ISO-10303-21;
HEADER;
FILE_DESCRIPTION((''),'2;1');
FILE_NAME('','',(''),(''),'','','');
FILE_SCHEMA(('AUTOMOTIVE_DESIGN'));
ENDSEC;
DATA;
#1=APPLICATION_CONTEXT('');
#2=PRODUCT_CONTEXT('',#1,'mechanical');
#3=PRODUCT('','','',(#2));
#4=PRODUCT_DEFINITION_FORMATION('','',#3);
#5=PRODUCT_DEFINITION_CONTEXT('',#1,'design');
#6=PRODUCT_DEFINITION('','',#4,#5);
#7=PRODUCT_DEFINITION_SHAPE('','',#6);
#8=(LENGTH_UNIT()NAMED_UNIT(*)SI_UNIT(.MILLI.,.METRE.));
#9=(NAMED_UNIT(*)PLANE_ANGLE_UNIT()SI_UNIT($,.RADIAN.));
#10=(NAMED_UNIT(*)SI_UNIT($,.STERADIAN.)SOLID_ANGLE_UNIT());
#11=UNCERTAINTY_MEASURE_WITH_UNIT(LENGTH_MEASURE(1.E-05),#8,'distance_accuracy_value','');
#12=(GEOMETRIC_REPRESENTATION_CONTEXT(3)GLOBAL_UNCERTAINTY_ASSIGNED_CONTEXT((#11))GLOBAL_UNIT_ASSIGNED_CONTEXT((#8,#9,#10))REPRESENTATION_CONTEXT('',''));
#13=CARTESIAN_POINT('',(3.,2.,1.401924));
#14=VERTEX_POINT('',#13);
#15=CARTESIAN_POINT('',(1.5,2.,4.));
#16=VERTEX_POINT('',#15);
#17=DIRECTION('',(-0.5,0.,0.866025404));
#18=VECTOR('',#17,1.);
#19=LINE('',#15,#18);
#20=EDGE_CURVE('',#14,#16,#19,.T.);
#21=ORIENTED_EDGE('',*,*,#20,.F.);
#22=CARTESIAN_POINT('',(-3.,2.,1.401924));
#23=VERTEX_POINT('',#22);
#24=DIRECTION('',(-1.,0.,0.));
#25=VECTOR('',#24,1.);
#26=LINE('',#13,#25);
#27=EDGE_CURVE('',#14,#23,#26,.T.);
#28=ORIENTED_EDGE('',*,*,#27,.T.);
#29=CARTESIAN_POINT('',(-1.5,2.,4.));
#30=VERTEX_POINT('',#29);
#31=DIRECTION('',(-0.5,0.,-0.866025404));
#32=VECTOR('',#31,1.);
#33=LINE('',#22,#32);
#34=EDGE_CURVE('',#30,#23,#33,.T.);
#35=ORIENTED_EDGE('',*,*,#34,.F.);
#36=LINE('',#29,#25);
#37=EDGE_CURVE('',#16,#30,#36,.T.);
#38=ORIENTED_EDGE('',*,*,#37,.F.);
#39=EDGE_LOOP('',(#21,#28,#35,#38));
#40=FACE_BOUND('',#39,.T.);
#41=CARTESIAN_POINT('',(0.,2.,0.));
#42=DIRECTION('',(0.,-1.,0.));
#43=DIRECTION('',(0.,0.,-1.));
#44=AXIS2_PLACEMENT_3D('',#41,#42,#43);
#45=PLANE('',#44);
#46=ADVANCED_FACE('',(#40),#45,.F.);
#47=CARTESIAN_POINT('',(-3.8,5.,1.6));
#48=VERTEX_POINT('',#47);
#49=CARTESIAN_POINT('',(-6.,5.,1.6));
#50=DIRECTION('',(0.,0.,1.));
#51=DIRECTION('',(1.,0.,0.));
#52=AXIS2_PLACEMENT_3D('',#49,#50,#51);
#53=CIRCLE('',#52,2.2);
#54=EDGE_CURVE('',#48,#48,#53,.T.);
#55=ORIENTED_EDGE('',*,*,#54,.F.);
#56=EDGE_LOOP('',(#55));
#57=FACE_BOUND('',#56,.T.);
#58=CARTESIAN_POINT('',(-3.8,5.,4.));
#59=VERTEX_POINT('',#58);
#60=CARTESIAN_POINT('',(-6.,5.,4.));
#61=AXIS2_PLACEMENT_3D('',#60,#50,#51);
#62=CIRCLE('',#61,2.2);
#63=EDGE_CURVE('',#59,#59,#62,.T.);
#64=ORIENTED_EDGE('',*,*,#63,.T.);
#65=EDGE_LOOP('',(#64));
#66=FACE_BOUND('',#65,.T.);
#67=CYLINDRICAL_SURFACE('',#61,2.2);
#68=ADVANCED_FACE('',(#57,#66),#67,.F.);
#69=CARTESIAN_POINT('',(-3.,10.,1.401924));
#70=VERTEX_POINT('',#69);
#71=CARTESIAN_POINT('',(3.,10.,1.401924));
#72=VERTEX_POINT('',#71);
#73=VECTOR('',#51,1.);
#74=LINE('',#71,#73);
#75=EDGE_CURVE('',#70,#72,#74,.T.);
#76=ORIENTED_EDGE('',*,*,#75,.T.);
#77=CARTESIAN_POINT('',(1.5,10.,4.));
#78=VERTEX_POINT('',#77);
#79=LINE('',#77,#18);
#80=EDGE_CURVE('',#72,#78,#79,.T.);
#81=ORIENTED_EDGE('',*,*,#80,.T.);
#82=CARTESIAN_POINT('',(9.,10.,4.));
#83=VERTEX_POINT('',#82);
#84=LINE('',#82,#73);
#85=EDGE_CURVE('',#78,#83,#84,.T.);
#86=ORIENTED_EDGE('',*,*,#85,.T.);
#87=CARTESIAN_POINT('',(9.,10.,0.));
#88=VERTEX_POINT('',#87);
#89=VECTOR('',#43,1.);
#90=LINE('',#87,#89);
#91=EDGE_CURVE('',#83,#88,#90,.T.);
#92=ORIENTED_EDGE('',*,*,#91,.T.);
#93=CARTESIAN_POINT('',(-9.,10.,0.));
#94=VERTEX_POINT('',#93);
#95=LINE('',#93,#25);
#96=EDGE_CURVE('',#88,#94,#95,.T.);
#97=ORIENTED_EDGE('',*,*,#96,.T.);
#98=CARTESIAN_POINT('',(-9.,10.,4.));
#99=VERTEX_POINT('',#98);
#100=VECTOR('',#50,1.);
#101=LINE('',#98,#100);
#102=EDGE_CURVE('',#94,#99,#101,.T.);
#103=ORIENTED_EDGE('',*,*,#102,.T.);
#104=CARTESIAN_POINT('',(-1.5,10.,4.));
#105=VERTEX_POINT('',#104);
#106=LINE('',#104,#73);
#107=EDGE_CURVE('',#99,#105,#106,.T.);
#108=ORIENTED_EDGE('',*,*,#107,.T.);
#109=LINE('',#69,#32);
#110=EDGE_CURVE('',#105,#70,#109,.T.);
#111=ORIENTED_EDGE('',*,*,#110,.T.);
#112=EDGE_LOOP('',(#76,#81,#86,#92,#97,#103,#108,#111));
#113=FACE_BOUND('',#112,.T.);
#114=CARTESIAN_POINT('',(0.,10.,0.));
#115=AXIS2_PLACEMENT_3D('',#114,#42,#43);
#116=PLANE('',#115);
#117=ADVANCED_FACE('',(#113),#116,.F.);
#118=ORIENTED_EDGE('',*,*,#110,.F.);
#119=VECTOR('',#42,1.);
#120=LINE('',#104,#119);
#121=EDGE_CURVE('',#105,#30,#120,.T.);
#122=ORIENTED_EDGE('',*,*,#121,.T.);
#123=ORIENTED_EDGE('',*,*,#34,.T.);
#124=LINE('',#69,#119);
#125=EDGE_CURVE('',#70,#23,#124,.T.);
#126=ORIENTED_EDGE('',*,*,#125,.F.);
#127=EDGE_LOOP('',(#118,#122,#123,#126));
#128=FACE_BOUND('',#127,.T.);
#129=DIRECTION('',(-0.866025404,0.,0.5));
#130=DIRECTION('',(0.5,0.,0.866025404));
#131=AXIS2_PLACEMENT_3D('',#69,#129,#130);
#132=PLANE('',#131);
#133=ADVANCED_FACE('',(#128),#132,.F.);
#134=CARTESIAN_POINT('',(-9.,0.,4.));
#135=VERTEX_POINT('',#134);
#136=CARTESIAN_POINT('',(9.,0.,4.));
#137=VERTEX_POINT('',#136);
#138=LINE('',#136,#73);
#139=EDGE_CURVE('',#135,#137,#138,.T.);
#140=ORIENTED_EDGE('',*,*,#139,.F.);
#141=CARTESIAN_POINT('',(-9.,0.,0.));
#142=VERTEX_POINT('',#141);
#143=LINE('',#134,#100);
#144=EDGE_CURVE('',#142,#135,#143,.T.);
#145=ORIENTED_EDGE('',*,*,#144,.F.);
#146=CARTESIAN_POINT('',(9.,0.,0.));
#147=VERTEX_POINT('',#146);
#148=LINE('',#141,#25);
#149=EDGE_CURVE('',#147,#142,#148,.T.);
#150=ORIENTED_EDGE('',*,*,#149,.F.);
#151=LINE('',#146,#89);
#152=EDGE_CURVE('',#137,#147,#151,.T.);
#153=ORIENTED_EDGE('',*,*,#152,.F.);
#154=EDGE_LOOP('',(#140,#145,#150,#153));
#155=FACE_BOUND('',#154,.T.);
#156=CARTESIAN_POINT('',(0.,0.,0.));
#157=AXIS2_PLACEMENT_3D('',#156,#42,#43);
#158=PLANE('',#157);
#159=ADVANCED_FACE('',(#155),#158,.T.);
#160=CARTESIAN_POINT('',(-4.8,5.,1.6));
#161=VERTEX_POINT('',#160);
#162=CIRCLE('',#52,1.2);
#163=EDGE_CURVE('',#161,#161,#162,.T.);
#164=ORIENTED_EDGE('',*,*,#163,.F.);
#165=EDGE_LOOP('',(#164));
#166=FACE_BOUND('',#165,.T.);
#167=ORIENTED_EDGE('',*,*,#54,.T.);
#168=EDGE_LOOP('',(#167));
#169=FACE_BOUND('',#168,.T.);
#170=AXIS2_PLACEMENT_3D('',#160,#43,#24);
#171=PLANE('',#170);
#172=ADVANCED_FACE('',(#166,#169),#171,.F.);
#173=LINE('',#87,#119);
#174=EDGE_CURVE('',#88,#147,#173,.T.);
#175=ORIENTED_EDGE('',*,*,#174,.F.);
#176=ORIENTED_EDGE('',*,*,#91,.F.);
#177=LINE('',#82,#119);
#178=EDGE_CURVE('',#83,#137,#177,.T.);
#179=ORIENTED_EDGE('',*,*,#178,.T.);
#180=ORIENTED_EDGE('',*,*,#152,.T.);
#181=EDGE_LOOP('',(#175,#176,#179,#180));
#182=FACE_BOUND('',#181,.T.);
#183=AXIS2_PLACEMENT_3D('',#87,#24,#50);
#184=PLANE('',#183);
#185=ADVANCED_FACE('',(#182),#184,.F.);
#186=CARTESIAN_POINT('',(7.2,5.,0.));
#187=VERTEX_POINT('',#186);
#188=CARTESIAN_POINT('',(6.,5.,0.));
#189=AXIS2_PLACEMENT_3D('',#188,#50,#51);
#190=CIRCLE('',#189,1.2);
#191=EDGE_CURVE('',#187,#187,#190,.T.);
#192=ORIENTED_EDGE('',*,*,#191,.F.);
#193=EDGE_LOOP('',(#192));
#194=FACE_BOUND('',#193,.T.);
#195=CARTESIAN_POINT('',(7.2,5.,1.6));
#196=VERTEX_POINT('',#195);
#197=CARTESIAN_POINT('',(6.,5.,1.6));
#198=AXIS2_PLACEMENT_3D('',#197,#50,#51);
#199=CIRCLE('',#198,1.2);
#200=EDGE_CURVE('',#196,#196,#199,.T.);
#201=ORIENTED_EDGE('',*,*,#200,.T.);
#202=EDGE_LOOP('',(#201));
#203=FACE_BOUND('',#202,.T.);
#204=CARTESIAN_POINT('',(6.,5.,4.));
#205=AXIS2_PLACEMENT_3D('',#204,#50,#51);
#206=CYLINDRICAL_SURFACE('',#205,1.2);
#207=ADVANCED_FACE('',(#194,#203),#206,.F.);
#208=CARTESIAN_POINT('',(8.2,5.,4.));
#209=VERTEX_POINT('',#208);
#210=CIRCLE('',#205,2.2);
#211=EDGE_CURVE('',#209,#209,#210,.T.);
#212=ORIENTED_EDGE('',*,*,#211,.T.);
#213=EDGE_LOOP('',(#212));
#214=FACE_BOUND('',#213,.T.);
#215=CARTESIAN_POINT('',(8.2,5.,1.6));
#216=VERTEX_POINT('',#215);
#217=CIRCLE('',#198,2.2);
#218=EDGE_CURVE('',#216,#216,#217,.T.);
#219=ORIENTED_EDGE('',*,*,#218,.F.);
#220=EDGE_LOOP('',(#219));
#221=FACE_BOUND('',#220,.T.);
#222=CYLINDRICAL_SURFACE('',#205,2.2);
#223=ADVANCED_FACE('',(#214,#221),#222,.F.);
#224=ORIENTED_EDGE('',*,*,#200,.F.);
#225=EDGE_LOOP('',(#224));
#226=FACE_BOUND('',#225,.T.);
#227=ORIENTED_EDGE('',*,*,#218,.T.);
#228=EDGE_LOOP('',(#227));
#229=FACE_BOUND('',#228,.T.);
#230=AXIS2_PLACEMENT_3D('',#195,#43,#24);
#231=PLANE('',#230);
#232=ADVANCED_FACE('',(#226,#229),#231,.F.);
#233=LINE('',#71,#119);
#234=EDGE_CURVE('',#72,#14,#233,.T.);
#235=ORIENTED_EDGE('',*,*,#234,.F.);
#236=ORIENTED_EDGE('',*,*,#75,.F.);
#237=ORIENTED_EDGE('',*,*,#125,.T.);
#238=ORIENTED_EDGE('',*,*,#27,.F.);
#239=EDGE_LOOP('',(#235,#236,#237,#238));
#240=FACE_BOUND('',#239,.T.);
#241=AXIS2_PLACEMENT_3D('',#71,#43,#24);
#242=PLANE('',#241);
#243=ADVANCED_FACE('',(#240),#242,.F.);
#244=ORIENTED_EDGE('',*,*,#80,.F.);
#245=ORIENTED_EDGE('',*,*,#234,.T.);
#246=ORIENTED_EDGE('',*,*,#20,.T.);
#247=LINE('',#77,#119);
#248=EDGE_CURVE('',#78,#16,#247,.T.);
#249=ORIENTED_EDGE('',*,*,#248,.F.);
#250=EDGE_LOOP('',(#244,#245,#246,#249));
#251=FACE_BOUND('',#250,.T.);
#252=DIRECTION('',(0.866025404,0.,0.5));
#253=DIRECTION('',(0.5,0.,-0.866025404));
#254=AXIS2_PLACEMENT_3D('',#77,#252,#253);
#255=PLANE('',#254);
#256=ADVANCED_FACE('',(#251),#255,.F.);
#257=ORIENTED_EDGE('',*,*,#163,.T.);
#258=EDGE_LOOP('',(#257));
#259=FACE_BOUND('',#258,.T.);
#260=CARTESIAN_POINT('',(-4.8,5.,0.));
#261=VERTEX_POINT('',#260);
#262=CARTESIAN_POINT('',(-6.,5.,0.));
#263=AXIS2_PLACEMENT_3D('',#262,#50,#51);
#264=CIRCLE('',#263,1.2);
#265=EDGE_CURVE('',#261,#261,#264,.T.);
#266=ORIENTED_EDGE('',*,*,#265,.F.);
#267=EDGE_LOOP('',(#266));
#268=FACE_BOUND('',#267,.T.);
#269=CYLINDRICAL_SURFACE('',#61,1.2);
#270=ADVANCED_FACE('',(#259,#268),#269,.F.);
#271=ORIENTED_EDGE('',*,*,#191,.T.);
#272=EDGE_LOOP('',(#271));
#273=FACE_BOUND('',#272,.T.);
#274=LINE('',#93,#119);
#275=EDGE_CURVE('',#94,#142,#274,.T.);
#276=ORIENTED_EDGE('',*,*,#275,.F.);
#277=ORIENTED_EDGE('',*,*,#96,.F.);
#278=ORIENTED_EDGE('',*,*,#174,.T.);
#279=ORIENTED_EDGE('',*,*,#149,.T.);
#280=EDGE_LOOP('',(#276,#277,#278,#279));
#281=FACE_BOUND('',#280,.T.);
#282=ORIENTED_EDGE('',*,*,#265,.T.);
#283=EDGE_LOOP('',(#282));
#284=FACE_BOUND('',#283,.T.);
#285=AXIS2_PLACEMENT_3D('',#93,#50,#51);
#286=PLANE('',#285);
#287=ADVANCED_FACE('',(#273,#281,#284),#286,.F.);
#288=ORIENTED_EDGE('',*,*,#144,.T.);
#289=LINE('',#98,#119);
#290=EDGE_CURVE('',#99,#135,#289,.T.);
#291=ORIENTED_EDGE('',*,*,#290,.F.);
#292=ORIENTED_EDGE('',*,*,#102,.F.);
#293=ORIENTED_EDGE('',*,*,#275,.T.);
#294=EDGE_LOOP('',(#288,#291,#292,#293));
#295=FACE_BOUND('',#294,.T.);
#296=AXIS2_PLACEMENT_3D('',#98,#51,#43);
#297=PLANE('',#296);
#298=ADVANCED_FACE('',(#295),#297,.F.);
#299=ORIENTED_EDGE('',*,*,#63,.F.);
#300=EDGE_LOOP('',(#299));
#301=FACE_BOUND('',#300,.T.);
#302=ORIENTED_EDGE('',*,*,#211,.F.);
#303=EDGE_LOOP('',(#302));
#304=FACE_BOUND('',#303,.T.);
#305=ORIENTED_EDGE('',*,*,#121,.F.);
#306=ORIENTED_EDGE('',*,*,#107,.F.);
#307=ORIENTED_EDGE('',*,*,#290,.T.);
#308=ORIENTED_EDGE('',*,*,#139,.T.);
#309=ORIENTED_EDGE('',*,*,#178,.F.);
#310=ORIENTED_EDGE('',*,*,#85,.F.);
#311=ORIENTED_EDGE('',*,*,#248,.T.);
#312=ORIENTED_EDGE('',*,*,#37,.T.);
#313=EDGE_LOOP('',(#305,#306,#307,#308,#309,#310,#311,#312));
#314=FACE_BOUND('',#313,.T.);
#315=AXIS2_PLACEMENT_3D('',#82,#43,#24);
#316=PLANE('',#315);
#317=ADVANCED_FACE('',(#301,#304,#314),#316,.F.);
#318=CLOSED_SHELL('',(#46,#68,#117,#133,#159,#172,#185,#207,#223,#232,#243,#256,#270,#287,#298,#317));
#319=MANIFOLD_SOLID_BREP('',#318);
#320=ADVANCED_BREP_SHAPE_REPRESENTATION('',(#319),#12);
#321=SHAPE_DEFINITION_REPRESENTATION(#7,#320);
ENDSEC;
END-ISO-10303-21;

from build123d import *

# Parameters (mm, degrees)
BOSS_EXTRUDE1_DEPTH                                 = 10
BOSS_EXTRUDE2_DEPTH                                 = 2
CBORE_FOR_M2_HEX_SOCKET_HEAD_CAP_SCREW1_D           = 2.4
CBORE_FOR_M2_HEX_SOCKET_HEAD_CAP_SCREW1_CBORE_D     = 4.4
CBORE_FOR_M2_HEX_SOCKET_HEAD_CAP_SCREW1_CBORE_DEPTH = 2.4


with BuildPart() as part:
    # Sketch1 → Boss-Extrude1 (new body)
    with BuildSketch(Plane(origin=(0, 0, 0), x_dir=(1, 0, 0), z_dir=(0, 1, 0))):
        Polygon((-9, 0), (9, 0), (9, -4), (1.5, -4), (3, -1.401923789), (-3, -1.401923789), (-1.5, -4), (-9, -4), align=None)
    extrude(amount=BOSS_EXTRUDE1_DEPTH)

    # Sketch2 → Boss-Extrude2 (add)
    with BuildSketch(Plane.XZ):
        Polygon((-1.5, 4), (1.5, 4), (3, 1.401923789), (0.56541664, 1.071774791), (-3, 1.401923789), align=None)
    extrude(amount=-BOSS_EXTRUDE2_DEPTH)

    # CBORE for M2 Hex Socket Head Cap Screw1 (through all)
    with Locations(Plane.XY.offset(4)):
        with Locations((-6, 5), (6, 5)):
            CounterBoreHole(CBORE_FOR_M2_HEX_SOCKET_HEAD_CAP_SCREW1_D / 2, CBORE_FOR_M2_HEX_SOCKET_HEAD_CAP_SCREW1_CBORE_D / 2, CBORE_FOR_M2_HEX_SOCKET_HEAD_CAP_SCREW1_CBORE_DEPTH)


solid = part.part
